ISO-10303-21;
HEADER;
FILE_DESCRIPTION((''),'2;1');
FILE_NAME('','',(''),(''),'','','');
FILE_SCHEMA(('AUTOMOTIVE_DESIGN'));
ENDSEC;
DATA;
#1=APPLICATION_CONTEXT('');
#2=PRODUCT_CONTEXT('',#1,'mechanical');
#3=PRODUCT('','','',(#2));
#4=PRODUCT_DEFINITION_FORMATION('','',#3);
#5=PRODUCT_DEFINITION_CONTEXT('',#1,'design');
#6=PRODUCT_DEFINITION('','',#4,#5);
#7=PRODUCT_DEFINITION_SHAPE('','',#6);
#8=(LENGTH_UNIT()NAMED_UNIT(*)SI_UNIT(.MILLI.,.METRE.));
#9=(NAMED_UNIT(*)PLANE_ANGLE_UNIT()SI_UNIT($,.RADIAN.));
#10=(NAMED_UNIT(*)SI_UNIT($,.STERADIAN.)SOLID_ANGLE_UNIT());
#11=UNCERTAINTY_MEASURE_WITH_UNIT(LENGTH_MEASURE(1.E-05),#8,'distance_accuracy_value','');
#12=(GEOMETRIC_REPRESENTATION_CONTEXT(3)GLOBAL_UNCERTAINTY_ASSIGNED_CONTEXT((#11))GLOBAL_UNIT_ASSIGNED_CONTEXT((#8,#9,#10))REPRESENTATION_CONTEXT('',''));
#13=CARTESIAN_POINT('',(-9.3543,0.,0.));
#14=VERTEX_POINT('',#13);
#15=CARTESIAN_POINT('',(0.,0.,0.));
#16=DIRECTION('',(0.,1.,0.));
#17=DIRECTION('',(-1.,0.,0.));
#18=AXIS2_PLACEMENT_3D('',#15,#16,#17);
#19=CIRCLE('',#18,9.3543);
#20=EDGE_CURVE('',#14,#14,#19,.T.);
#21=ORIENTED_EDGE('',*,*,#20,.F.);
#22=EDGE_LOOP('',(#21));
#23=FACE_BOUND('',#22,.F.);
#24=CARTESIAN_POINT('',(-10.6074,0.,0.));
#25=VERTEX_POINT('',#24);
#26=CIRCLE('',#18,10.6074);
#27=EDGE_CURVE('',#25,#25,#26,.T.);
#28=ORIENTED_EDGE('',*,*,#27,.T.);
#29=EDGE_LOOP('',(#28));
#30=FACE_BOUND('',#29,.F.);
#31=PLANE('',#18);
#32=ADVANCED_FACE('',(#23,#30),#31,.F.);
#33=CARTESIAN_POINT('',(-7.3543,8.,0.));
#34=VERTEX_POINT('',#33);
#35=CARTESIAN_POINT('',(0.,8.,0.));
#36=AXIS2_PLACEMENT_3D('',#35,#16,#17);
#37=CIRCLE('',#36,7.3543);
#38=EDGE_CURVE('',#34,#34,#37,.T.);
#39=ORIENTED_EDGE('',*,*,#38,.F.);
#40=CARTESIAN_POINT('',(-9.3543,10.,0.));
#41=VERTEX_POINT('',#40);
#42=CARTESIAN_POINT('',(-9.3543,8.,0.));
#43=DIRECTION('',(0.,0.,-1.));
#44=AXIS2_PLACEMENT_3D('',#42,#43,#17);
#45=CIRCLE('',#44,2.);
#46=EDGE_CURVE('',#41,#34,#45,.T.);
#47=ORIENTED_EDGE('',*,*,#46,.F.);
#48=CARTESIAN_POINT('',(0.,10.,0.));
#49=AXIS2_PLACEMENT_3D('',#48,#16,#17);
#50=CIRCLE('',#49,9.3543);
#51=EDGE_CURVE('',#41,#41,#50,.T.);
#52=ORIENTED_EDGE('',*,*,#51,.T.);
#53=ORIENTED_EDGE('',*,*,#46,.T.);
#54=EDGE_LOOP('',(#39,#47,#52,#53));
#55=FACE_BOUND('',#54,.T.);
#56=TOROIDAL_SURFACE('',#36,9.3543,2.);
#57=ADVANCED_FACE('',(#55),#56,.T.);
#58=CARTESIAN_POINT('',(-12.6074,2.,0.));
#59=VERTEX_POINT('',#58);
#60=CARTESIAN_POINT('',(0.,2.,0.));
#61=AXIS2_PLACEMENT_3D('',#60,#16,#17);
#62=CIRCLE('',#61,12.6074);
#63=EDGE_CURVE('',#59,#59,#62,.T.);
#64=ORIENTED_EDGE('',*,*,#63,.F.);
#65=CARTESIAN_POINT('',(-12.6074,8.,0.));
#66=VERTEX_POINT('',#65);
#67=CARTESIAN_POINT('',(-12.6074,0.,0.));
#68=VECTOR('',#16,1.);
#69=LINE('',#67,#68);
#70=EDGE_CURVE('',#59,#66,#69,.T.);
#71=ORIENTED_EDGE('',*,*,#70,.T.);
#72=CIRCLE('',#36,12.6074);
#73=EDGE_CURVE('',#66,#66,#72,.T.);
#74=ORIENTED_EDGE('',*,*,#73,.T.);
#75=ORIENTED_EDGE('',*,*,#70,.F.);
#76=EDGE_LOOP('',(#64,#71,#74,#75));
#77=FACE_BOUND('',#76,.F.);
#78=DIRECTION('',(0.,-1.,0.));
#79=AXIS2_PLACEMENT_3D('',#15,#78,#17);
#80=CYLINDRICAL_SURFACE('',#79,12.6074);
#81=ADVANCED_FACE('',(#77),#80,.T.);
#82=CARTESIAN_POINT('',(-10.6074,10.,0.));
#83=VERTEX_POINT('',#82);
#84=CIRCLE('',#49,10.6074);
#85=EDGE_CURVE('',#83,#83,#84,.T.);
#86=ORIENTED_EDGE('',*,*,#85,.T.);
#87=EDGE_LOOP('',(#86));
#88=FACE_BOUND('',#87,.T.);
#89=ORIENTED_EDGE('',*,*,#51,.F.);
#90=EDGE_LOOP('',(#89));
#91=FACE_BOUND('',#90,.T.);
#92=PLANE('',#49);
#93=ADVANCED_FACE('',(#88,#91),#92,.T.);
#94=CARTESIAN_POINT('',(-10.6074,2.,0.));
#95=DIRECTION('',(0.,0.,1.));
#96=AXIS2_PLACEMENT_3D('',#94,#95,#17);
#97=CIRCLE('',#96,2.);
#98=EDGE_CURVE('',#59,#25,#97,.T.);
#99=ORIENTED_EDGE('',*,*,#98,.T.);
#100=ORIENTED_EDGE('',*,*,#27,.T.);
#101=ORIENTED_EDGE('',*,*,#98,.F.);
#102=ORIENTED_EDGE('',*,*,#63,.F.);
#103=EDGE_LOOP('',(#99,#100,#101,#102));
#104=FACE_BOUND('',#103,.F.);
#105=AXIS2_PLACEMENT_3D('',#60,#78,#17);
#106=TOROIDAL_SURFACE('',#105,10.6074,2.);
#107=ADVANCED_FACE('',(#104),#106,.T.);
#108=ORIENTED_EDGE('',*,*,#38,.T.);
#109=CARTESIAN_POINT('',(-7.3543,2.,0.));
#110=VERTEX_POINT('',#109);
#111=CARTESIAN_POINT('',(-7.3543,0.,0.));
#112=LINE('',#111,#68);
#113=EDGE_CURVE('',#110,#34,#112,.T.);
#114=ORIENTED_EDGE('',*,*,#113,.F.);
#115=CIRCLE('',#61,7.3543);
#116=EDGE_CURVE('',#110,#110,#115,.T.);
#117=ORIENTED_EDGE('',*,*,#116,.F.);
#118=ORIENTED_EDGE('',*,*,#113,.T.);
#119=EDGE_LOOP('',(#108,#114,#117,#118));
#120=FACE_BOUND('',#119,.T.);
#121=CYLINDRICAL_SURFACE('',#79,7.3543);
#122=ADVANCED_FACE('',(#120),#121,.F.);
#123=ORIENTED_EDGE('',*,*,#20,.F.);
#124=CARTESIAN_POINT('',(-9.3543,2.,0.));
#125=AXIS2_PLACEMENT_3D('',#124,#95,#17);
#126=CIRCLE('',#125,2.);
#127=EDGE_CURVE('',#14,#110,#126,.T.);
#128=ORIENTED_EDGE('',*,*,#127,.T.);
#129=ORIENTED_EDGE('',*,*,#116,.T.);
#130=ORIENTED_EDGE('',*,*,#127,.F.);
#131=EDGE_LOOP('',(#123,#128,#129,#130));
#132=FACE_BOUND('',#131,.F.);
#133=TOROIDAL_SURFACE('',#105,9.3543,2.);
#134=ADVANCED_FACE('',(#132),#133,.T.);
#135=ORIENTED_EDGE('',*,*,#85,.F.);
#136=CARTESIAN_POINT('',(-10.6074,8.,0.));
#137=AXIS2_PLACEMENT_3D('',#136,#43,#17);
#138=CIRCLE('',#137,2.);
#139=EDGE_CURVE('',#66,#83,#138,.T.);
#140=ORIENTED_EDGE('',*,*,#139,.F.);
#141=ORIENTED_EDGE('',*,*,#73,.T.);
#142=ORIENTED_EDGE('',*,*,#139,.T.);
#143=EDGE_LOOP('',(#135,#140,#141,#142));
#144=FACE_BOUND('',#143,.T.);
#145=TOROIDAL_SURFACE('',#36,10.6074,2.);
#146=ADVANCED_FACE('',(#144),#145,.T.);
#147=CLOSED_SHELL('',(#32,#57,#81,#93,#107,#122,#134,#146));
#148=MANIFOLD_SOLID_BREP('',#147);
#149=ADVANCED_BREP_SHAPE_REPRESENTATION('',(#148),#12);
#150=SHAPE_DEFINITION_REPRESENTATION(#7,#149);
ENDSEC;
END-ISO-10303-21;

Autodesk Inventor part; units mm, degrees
ref_plane "YZ Plane" through (0, 0, 0) normal (1, 0, 0) x (0, 1, 0)
ref_plane "XZ Plane" through (0, 0, 0) normal (0, 1, 0) x (-1, 0, 0)
ref_plane "XY Plane" through (0, 0, 0) normal (0, 0, 1) x (1, 0, 0)
sketch "Sketch1" plane through (0, 0, 0) normal (0, 1, 0) x (-1, 0, 0)
  circle A0 centre (0, 0) radius 12.6074
  circle A1 centre (0, 0) radius 7.3543
extrude "Extrusion1" add sketch "Sketch1" along normal blind 10
fillet "Fillet1" radius 2 2 edges at (12.6074, 10, 0) (12.6074, 0, 0)
fillet "Fillet2" radius 2 2 edges at (7.3543, 10, 0) (7.3543, 0, 0)
